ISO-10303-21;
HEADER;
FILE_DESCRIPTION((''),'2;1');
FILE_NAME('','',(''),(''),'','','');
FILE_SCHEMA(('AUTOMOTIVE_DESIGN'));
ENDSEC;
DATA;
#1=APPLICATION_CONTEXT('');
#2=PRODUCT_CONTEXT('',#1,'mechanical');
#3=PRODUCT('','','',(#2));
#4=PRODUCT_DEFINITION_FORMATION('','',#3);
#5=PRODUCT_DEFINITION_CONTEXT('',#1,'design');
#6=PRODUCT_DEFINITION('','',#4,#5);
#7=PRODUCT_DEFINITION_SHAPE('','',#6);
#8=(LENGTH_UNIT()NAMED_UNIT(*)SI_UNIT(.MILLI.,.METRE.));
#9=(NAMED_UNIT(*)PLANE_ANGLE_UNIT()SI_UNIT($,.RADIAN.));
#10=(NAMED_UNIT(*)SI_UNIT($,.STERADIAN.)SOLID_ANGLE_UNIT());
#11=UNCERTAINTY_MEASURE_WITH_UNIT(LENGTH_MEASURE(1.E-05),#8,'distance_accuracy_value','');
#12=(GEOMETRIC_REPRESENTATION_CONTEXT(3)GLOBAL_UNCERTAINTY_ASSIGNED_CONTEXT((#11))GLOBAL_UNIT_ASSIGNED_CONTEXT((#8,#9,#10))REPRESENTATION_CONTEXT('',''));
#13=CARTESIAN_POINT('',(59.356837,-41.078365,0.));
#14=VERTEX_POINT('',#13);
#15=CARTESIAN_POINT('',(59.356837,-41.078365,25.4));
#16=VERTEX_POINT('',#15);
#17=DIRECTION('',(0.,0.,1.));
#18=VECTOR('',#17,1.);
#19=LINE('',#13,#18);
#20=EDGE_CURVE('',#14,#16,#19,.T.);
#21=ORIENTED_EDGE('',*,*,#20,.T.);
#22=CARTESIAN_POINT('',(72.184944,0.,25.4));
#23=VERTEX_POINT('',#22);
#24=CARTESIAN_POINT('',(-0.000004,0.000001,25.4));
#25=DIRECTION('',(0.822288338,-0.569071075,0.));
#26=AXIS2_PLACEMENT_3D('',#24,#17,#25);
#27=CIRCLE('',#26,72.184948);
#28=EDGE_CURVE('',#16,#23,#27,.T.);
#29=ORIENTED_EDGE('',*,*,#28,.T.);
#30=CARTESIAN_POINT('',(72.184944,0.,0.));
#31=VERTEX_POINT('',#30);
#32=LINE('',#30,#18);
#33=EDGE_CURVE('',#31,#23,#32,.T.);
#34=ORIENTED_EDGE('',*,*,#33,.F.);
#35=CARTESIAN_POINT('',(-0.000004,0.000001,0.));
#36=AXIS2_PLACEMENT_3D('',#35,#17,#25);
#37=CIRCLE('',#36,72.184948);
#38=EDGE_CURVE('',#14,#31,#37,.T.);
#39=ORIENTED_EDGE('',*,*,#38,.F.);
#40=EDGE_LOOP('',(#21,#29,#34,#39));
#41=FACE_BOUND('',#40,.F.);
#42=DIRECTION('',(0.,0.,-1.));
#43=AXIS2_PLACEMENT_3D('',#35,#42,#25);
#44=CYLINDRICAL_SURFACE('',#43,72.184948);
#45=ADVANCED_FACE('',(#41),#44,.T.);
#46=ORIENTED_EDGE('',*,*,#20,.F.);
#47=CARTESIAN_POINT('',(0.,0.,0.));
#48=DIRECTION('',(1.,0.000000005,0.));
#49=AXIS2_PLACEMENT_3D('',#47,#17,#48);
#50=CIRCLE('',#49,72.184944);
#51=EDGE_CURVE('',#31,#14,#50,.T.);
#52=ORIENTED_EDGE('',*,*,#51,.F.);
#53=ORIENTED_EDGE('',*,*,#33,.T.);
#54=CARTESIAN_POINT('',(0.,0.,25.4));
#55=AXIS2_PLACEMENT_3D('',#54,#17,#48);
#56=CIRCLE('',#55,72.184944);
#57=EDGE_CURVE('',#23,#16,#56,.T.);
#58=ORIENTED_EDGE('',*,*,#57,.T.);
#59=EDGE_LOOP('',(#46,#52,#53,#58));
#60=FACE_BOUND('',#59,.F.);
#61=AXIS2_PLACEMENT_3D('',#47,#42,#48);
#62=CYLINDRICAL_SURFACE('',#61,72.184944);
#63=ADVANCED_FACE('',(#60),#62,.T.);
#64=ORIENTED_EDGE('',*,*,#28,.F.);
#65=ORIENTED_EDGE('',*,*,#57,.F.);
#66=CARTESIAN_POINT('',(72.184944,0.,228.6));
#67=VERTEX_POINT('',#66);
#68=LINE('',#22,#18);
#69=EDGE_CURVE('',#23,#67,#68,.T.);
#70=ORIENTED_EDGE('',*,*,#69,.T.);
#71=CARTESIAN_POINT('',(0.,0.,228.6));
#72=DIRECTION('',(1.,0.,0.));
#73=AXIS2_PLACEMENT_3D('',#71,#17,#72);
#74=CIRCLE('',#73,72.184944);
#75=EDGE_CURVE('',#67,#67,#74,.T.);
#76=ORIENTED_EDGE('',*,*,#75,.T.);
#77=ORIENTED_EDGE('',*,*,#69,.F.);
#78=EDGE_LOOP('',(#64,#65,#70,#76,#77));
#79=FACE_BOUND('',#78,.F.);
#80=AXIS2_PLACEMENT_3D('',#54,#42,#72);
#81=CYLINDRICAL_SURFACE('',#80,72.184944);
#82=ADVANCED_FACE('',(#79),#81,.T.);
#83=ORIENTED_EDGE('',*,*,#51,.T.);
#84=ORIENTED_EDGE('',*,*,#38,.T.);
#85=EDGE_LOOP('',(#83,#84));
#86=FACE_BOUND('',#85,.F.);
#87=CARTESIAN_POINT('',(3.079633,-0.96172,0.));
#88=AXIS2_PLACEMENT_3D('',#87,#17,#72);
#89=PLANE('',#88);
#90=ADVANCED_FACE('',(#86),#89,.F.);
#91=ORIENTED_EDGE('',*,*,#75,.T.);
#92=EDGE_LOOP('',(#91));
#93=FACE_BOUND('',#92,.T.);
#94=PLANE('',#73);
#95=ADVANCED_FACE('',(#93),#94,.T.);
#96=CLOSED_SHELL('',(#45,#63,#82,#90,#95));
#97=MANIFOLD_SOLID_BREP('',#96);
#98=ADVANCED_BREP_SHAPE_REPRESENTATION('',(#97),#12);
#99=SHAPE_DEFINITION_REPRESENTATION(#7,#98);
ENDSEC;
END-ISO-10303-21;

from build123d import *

# Parameters (mm, degrees)
F1_DEPTH  = 25.4
F1_FACE_R = 72.184944
F2_DEPTH  = 203.2


with BuildPart() as f1:
    # F0 (on Top) → F1 (new body)
    with BuildSketch(Plane.XY):
        with BuildLine():
            ThreePointArc((59.356837, -41.078365), (68.903324, -21.51739), (72.184944, 0))
            ThreePointArc((72.184944, 0), (-68.903324, 21.51739), (59.356837, -41.078365))
        make_face()
    extrude(amount=F1_DEPTH)

    # F1_face (on face) → F2 (join)
    with BuildSketch(Plane.XY.offset(25.4)):
        Circle(F1_FACE_R)
    extrude(amount=F2_DEPTH)


solid = f1.part
